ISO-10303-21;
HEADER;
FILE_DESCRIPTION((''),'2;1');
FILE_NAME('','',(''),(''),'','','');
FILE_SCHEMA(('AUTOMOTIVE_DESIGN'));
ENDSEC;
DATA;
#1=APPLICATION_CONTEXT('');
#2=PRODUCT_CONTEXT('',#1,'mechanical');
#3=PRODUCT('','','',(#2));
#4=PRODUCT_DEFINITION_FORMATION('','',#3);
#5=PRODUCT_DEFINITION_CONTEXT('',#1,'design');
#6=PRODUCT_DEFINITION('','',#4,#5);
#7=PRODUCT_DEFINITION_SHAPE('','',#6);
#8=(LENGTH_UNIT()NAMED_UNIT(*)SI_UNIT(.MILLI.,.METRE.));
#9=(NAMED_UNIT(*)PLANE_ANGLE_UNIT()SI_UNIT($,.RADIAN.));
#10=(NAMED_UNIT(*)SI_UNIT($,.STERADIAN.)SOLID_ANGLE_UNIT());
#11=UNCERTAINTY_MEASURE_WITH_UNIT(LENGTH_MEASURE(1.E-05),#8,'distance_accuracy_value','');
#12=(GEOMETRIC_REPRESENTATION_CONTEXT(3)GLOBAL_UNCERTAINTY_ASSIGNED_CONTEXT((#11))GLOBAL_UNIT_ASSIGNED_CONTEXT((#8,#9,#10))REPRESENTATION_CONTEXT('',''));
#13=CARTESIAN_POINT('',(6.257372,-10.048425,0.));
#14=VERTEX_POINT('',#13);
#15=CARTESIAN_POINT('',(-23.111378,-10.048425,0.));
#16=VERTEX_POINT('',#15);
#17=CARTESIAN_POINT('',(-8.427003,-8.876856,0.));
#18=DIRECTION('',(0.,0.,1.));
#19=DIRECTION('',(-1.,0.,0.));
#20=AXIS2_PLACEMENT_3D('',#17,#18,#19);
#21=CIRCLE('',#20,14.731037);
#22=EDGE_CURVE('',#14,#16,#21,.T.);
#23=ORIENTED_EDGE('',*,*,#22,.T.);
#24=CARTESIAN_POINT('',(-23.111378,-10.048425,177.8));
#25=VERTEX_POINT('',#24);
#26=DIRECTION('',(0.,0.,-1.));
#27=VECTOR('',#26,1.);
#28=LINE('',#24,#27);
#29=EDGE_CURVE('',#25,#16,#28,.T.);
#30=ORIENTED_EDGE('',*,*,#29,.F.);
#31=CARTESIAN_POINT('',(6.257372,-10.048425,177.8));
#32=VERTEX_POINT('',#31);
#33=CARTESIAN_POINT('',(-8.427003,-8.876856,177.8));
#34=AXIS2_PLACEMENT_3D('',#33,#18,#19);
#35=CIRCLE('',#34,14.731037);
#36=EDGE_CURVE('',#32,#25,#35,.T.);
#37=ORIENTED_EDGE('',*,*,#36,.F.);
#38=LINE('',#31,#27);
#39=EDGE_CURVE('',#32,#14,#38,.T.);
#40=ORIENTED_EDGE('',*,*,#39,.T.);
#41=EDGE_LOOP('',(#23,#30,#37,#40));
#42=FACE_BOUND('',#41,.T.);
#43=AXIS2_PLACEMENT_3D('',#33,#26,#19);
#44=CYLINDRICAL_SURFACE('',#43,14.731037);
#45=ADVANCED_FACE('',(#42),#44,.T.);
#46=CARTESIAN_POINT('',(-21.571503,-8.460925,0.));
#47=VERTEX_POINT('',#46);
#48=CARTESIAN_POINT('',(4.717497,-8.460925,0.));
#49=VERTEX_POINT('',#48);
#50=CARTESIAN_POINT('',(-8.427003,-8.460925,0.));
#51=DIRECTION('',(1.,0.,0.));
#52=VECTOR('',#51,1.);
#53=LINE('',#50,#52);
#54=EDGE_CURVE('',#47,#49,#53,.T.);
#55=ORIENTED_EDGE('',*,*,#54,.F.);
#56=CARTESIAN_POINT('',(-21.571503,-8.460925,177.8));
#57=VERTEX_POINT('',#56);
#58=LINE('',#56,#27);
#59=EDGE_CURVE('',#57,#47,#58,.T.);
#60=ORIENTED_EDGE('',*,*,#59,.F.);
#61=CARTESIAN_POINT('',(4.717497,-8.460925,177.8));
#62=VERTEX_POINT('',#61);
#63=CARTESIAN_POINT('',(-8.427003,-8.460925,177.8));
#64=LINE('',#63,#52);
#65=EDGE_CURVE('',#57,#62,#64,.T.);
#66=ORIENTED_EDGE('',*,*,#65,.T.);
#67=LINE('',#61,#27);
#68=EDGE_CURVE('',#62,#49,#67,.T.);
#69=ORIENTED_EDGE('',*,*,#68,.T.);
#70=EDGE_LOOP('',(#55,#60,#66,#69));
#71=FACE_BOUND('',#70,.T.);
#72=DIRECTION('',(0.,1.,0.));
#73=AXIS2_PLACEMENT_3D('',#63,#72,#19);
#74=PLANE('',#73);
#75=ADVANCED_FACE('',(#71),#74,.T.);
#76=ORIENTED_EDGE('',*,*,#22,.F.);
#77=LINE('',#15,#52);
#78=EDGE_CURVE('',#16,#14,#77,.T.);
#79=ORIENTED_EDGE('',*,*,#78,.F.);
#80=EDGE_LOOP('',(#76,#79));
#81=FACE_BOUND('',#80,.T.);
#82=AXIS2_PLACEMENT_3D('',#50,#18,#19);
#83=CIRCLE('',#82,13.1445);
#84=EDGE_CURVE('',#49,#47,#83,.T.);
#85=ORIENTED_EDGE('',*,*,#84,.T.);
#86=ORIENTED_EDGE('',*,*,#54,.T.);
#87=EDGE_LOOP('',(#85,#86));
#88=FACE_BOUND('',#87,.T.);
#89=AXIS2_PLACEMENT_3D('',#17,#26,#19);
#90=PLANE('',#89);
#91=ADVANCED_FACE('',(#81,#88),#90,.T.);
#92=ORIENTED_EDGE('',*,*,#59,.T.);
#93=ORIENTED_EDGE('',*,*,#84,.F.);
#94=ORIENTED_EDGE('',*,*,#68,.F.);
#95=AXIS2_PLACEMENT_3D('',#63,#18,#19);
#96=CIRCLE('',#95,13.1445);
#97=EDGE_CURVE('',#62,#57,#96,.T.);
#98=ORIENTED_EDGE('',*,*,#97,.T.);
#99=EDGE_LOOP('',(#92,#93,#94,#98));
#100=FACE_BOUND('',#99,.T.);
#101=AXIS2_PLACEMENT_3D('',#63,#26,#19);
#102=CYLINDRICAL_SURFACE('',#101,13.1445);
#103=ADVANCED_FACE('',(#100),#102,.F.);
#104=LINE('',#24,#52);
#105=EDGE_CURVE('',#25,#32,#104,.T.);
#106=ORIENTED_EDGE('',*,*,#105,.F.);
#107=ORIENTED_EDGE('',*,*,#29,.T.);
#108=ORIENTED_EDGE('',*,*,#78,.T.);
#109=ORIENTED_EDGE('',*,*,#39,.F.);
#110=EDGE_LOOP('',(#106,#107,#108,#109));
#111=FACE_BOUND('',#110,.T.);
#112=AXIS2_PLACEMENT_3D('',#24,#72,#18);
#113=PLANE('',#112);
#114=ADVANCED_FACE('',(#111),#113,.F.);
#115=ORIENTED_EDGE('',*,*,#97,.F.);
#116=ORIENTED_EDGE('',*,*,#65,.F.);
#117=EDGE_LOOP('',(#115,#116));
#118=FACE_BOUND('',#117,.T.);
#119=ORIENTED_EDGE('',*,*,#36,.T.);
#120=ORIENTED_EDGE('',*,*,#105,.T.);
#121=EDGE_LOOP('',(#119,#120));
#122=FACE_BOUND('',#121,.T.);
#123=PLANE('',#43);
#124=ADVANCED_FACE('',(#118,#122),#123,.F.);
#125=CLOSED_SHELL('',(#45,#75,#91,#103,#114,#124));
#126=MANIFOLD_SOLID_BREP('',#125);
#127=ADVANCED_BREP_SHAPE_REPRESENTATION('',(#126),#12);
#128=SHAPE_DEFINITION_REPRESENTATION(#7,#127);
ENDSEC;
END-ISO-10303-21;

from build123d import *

# Parameters (mm, degrees)
BOSS_EXTRUDE2_DEPTH = 177.8


with BuildPart() as part:
    # Sketch1 → Boss-Extrude2 (new body)
    with BuildSketch(Plane.XY):
        with BuildLine():
            Line((-23.111377793, -10.048425127), (6.257372207, -10.048425127))
            ThreePointArc((6.257372207, -10.048425127), (-8.427002793, 5.85418124), (-23.111377793, -10.048425127))
        make_face()
        with BuildLine():
            Line((-8.427002793, -8.460925127), (-21.571502793, -8.460925127))
            ThreePointArc((-21.571502793, -8.460925127), (-8.427002793, 4.683574873), (4.717497207, -8.460925127))
            Line((4.717497207, -8.460925127), (-8.427002793, -8.460925127))
        make_face(mode=Mode.SUBTRACT)
    extrude(amount=BOSS_EXTRUDE2_DEPTH)


solid = part.part
